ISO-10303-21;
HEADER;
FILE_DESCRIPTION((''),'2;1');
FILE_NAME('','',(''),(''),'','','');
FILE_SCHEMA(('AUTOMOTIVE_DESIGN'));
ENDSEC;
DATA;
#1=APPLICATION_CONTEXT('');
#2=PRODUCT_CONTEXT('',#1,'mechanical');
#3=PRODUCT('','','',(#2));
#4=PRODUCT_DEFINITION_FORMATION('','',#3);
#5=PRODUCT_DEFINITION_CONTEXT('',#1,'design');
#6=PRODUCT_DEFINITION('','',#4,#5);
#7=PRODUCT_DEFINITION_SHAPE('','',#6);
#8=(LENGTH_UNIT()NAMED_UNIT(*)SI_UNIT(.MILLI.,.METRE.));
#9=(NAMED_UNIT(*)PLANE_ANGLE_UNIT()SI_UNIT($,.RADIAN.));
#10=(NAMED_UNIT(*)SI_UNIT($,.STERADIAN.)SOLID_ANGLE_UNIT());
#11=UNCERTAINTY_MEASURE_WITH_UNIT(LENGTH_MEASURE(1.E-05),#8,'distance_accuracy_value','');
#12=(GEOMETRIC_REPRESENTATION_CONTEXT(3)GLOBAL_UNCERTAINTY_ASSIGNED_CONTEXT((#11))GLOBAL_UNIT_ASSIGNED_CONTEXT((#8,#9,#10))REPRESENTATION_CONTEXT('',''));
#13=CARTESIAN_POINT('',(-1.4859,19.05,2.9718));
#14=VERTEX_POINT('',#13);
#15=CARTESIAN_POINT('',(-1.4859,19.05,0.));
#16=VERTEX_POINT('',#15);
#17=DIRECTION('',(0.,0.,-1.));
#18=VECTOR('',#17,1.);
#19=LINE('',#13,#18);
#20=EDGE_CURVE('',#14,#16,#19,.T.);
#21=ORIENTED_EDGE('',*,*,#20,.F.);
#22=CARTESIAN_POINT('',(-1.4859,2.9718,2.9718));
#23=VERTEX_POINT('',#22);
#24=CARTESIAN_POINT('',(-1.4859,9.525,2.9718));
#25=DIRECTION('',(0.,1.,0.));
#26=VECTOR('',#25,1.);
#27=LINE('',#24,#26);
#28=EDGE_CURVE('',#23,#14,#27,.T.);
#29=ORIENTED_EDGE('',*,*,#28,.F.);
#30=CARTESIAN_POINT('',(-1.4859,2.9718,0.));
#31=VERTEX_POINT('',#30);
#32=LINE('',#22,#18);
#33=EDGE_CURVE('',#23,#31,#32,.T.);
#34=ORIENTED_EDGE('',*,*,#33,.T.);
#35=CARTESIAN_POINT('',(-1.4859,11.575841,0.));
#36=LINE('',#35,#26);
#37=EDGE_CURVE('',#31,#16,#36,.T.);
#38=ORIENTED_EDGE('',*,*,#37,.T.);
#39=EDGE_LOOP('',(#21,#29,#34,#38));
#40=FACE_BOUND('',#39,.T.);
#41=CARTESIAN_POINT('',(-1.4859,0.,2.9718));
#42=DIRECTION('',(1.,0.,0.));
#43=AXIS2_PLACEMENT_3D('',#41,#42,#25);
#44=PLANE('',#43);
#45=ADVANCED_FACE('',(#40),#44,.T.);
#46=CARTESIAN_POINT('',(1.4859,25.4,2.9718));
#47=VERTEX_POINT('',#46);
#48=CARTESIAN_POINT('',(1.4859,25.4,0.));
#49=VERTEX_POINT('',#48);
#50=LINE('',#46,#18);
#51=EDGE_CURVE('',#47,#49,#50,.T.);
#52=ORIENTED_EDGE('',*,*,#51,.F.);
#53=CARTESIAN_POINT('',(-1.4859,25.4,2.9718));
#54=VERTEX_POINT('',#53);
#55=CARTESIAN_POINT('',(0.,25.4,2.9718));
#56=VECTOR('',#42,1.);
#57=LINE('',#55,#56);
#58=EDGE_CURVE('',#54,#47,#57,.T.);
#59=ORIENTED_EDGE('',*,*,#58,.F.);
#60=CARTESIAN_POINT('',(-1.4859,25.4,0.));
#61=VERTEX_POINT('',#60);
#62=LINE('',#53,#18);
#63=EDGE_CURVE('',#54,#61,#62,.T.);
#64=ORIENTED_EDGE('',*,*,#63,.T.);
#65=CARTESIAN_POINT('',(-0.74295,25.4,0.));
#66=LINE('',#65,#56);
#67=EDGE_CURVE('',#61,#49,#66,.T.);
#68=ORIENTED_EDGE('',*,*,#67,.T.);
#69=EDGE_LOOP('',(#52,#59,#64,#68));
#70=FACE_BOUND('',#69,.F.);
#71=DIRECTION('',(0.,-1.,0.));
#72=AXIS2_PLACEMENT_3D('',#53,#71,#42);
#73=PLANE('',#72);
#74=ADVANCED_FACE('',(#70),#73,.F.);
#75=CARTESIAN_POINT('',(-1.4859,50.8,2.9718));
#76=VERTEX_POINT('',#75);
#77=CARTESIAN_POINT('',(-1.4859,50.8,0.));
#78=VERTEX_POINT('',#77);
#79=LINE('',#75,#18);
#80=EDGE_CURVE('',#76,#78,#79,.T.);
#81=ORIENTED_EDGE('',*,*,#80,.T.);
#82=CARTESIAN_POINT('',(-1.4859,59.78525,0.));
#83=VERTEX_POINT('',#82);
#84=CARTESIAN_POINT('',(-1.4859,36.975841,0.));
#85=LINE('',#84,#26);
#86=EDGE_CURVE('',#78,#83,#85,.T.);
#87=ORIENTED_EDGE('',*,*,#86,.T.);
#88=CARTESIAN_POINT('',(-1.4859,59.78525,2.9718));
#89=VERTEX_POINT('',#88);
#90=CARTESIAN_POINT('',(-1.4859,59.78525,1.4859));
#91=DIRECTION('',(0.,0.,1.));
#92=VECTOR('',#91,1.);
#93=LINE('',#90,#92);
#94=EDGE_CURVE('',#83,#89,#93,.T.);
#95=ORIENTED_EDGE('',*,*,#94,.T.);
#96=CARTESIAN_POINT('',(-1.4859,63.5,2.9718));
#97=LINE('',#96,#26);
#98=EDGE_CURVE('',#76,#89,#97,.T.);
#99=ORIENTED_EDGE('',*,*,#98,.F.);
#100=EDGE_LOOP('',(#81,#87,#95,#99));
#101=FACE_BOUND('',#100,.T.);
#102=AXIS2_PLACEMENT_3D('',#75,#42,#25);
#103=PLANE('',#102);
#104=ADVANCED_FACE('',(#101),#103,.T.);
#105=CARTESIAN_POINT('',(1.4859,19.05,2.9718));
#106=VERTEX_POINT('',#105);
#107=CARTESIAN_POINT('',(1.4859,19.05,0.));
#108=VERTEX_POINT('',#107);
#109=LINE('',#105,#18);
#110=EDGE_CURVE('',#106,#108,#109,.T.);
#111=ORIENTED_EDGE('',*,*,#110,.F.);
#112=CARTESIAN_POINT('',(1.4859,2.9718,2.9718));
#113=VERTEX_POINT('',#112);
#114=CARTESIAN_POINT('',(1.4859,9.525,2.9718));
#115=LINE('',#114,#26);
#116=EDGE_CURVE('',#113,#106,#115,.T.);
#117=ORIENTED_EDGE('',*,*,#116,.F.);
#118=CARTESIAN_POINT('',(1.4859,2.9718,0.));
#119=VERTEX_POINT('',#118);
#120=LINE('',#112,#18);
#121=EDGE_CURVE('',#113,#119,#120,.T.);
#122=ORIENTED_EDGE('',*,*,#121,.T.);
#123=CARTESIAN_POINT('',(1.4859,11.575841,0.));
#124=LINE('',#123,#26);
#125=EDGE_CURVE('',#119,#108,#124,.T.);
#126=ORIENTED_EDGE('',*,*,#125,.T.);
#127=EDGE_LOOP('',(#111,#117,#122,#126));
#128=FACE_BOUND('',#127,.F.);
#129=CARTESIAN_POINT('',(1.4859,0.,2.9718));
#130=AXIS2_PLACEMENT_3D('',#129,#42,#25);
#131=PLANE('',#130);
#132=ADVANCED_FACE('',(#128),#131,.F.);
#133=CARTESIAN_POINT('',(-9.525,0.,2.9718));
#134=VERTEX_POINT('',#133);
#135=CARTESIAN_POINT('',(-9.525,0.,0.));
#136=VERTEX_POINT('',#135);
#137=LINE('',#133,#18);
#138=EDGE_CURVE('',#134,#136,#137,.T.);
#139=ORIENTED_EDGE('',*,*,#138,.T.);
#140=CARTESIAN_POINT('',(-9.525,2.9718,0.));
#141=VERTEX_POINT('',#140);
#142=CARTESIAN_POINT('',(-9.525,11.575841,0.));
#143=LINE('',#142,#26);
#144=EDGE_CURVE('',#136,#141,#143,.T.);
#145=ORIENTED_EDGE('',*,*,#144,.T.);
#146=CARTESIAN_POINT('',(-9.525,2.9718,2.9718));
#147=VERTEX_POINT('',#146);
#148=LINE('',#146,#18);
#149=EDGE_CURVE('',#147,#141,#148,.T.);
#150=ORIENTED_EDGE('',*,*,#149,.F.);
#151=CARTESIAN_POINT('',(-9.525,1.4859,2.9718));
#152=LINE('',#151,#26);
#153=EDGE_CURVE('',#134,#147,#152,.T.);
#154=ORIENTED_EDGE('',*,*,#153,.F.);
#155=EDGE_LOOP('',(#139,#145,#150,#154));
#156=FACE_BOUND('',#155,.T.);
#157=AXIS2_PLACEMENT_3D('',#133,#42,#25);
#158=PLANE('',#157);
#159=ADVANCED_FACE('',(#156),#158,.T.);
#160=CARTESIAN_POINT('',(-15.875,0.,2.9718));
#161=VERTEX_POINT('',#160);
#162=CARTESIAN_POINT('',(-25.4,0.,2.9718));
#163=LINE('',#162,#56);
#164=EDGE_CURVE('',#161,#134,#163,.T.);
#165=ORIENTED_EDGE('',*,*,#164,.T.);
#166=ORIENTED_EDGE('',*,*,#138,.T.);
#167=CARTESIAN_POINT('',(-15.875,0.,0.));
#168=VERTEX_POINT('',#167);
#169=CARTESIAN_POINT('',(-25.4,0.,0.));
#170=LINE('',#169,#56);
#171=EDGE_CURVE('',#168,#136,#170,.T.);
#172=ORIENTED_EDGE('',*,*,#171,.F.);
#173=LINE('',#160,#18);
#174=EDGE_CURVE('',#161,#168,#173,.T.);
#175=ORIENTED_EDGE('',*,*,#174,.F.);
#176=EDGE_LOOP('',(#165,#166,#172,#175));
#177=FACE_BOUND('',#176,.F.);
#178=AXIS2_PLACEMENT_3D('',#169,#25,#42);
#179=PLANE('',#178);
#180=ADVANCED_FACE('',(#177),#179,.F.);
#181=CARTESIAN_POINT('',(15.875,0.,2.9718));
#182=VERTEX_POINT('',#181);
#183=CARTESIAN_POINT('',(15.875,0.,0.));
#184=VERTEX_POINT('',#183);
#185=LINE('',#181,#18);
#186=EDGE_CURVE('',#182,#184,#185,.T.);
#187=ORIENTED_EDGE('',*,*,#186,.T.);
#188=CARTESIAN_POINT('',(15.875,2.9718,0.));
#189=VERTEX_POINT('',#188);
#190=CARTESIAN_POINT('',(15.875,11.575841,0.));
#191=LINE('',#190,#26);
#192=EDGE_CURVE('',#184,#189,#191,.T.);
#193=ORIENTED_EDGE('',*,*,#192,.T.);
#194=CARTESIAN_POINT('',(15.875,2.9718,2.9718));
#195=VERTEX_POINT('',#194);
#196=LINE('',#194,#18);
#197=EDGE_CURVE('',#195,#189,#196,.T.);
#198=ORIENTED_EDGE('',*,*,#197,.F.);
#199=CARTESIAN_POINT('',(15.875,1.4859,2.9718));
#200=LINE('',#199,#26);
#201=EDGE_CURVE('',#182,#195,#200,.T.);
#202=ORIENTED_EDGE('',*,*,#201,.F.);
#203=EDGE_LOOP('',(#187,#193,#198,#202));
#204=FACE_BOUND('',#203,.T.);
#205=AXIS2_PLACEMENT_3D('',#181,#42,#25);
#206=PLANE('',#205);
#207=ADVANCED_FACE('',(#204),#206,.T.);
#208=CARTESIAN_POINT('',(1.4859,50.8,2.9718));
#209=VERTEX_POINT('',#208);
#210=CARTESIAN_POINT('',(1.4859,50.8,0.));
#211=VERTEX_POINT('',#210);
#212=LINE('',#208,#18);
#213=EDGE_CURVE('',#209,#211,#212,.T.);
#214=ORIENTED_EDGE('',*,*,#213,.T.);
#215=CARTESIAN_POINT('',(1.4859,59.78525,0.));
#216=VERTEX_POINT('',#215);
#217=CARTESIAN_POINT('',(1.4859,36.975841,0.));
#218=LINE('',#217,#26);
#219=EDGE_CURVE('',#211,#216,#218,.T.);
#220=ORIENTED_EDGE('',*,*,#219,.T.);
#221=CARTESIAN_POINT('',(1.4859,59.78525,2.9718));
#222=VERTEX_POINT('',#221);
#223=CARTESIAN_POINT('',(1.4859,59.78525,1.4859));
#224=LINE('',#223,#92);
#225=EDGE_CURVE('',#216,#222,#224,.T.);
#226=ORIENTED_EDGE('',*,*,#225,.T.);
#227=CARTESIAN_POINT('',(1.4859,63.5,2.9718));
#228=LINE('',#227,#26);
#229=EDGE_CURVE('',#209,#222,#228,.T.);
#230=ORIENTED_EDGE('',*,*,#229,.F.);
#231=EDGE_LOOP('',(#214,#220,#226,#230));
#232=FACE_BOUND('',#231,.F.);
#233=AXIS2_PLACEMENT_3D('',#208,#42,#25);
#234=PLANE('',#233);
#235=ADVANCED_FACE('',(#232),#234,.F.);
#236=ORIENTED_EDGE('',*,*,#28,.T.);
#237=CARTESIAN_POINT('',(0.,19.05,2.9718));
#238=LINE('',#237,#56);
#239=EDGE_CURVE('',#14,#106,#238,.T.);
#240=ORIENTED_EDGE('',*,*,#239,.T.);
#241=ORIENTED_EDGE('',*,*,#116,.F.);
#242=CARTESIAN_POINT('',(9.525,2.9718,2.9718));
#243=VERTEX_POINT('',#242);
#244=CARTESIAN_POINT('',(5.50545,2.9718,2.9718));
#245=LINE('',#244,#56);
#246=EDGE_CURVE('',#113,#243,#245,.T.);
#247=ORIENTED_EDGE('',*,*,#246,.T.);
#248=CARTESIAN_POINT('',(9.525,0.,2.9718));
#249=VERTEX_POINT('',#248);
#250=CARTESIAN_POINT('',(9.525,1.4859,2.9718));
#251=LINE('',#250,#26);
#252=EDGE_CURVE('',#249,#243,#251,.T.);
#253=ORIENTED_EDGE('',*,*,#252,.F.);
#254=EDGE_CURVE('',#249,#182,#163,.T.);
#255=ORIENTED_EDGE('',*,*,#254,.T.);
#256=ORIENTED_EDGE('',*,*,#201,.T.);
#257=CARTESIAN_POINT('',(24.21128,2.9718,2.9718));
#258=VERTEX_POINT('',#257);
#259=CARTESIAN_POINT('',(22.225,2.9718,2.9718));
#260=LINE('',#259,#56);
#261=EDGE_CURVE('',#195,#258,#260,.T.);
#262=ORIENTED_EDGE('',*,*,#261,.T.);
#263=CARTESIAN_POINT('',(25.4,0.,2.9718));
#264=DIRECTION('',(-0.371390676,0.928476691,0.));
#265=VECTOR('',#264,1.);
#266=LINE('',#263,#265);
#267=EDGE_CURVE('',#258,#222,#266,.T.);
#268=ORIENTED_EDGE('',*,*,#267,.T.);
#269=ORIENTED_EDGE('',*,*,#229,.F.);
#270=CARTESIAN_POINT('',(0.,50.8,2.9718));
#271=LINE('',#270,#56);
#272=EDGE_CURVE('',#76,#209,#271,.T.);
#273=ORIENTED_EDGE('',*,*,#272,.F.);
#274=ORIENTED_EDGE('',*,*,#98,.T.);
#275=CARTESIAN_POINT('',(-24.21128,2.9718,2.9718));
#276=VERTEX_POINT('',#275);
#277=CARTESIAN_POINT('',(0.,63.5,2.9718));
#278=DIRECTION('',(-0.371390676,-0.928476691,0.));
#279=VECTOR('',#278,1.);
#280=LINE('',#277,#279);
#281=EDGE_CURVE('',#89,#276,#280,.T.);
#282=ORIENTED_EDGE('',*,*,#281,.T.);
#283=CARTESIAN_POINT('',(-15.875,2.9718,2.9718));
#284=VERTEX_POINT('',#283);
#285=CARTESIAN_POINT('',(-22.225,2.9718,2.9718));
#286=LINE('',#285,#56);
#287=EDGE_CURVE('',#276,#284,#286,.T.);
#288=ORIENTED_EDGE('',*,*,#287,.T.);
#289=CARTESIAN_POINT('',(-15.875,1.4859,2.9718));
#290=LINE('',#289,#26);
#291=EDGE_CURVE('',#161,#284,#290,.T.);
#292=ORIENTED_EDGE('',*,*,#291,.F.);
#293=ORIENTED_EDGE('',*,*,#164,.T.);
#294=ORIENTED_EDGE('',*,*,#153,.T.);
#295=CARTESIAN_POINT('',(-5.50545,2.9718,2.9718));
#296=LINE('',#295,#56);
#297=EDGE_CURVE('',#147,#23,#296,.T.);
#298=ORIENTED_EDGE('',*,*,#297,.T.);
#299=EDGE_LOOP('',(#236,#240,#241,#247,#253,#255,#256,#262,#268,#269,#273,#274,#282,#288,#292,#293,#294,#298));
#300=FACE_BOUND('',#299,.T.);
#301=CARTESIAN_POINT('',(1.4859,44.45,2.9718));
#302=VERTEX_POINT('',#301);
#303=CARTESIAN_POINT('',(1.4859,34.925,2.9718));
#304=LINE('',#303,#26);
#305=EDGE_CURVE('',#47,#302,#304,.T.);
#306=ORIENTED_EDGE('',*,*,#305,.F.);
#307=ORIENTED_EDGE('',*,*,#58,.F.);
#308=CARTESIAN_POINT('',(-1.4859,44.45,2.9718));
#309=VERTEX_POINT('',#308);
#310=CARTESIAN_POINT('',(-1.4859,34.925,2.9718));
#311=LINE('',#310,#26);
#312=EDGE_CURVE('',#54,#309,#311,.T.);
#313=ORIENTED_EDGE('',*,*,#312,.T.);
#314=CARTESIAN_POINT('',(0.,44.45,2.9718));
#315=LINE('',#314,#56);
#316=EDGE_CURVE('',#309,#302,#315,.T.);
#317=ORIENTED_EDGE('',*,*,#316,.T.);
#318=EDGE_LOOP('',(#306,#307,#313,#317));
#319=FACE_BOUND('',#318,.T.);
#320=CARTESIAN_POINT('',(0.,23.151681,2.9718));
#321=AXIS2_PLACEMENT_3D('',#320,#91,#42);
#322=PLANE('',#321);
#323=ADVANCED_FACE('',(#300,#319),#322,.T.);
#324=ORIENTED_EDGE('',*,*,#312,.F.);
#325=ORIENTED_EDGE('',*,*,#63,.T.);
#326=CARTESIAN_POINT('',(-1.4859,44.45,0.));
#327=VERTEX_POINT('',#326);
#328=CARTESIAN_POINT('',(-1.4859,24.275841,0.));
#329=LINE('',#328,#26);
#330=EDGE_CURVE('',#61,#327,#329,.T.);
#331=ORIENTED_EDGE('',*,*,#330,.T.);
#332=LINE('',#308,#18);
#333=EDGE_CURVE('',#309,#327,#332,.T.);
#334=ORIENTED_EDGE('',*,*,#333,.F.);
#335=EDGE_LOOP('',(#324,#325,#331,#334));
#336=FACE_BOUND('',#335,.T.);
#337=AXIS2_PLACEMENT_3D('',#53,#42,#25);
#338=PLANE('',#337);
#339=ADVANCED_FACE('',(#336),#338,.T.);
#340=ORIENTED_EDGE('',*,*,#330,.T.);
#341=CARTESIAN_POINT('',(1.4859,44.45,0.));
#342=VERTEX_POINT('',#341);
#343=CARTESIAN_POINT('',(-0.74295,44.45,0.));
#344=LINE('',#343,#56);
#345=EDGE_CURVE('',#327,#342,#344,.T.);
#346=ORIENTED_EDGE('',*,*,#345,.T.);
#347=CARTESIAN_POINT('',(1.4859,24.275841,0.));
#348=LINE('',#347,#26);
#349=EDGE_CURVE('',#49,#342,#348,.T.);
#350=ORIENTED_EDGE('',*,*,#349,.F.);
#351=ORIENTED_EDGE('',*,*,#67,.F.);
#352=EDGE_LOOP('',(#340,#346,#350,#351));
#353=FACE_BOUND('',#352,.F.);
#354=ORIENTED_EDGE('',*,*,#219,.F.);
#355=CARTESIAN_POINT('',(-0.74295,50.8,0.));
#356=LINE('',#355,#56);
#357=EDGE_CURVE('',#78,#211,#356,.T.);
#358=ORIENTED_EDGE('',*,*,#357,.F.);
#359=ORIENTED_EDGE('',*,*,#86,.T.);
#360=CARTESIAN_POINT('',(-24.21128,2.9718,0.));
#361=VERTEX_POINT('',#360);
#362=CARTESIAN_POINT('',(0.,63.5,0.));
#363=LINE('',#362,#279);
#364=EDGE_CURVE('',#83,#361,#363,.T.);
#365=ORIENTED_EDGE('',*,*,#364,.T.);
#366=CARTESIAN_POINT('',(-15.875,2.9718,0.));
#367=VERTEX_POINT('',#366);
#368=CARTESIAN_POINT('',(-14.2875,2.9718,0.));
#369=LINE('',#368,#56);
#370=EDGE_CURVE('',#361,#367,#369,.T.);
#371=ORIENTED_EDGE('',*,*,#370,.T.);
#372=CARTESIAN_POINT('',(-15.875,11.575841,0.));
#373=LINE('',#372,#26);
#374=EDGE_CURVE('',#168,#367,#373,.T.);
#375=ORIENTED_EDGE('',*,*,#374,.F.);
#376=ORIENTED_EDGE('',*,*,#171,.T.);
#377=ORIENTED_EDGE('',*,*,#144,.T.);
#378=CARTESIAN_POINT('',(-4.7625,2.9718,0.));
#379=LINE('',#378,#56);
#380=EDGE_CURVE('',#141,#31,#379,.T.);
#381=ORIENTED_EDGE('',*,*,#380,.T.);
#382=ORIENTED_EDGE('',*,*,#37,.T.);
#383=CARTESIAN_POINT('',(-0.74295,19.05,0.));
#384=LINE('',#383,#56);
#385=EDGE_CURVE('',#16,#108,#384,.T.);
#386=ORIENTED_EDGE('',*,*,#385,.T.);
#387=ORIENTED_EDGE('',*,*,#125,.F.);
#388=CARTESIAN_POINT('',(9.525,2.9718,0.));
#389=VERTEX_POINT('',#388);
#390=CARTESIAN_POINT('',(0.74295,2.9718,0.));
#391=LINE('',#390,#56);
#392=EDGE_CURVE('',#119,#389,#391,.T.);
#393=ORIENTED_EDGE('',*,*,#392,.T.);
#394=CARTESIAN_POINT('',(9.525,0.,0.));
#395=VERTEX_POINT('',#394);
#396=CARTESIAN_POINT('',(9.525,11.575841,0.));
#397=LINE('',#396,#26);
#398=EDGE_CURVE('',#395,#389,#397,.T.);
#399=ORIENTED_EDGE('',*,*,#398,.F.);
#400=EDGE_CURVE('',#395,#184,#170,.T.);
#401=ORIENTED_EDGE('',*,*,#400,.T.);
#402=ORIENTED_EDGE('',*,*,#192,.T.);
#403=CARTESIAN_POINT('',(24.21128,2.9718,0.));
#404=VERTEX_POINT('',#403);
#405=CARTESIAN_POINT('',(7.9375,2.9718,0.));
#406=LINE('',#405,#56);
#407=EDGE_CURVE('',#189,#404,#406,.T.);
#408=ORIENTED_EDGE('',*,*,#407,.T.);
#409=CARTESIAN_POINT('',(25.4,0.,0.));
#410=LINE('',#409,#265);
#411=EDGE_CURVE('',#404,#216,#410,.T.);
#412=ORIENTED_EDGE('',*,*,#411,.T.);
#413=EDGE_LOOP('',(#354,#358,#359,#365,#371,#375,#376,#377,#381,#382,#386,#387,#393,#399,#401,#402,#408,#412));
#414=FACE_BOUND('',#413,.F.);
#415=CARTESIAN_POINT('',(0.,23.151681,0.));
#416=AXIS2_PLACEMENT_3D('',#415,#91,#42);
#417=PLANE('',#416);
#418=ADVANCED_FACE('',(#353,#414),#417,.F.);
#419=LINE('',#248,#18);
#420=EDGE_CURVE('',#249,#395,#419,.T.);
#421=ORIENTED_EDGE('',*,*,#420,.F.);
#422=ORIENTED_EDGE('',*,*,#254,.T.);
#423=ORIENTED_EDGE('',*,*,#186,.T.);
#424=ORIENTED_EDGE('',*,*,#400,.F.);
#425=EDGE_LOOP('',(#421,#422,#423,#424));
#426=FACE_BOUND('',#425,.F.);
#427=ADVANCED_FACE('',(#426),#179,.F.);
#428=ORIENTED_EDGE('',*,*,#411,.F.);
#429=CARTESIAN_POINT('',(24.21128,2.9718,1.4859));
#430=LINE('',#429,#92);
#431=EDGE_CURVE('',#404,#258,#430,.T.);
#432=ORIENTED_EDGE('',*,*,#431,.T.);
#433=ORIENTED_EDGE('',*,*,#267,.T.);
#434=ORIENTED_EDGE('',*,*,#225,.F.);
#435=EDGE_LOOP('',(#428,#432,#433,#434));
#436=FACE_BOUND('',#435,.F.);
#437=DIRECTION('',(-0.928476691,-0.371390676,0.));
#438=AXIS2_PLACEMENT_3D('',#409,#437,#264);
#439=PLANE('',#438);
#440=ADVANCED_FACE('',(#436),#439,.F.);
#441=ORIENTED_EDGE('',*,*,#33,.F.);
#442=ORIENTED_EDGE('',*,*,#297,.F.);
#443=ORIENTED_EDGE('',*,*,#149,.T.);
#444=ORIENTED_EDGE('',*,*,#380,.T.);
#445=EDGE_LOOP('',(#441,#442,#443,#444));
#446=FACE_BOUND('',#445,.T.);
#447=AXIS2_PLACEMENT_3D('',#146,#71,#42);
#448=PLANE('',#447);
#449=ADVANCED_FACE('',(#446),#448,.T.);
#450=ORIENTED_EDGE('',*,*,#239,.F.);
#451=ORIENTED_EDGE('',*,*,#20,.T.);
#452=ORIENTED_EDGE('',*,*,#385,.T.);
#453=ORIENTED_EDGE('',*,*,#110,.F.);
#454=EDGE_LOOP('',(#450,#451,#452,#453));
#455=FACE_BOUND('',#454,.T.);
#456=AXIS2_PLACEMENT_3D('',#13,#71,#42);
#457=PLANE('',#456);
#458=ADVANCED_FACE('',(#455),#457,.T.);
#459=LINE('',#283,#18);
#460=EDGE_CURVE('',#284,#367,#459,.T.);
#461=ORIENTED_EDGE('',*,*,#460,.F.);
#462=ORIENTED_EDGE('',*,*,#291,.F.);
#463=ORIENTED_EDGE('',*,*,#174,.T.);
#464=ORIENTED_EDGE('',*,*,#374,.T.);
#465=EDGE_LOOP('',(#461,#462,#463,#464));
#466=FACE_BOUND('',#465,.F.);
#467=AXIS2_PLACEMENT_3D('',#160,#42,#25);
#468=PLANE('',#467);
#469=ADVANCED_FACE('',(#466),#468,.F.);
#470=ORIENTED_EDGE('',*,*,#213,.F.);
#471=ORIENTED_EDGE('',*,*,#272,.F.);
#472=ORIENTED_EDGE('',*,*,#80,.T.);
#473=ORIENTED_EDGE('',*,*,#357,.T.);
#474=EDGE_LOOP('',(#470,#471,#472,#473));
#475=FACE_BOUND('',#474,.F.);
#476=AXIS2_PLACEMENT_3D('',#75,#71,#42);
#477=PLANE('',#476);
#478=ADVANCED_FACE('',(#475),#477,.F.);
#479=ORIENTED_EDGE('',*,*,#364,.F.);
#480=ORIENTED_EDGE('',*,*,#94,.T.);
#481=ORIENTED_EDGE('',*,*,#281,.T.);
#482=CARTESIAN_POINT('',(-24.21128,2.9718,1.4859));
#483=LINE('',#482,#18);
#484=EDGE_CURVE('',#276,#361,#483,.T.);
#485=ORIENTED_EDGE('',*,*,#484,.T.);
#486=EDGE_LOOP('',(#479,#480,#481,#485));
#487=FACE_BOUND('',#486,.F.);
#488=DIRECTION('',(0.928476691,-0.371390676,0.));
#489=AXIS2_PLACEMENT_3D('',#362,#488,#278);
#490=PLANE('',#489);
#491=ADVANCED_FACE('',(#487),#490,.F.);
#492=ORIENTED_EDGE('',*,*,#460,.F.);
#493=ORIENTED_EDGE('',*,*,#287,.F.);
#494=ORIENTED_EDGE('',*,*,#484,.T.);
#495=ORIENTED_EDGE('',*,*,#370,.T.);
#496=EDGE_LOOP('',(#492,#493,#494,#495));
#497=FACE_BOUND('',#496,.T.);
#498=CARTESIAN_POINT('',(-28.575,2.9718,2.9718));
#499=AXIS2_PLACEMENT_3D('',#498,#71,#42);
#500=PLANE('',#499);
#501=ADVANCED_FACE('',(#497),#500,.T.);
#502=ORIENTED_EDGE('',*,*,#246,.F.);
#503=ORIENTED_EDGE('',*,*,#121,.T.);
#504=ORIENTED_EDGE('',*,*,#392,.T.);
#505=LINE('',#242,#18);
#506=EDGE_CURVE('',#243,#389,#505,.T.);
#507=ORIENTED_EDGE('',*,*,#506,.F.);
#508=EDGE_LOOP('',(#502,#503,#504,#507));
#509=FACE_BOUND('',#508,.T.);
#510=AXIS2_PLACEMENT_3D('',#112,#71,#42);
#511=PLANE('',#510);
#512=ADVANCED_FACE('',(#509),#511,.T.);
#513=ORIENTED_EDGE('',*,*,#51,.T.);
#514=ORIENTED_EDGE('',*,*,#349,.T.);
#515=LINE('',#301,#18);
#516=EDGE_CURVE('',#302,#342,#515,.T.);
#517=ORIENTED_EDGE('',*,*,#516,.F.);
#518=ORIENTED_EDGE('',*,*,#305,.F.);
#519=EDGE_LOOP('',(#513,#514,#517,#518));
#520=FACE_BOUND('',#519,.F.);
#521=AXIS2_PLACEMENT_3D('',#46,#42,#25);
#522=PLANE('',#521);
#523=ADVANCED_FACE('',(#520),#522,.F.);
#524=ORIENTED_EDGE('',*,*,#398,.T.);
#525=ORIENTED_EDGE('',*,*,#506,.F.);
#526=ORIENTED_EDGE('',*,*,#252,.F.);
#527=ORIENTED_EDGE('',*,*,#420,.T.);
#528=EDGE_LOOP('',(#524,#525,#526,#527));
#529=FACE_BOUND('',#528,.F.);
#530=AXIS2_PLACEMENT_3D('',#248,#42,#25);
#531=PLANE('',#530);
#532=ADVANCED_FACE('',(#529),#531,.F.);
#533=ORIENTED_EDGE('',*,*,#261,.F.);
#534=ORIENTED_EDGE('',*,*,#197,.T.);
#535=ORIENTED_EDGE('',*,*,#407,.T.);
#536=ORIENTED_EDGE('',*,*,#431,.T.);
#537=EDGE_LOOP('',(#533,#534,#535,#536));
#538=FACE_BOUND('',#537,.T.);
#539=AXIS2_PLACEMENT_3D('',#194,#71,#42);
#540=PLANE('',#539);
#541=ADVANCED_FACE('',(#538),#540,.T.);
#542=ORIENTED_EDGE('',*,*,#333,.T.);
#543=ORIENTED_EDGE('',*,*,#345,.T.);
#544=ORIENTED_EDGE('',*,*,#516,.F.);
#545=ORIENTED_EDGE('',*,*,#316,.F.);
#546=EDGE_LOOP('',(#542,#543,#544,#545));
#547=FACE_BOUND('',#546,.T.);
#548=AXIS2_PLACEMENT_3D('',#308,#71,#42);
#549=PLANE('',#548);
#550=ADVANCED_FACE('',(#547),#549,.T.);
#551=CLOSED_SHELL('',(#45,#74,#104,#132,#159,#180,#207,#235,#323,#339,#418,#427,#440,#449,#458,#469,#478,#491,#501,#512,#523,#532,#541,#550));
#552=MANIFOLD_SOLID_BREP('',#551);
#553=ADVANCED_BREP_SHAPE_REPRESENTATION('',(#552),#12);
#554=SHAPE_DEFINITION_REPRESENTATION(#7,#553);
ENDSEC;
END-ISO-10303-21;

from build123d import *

# Parameters (mm, degrees)
F1_DEPTH = 2.9718
F2_W     = 2.9718
F2_H     = 19.05
F2_H_2   = 25.4
F3_DEPTH = 25.4
F4_W     = 8.0391
F4_H     = 2.9718
F4_W_2   = 12.7
F5_DEPTH = 25.4


with BuildPart() as f1:
    # F0 (on Top) → F1 (new body)
    with BuildSketch(Plane.XY):
        Polygon((25.4, 0), (0, 63.5), (-25.4, 0), align=None)
    extrude(amount=F1_DEPTH)

    # F2 (on face) → F3 (cut)
    with BuildSketch(Plane.XY.offset(2.9718)):
        with Locations((0, 9.525)):
            Rectangle(F2_W, F2_H)
        with Locations((0, 34.925)):
            Rectangle(F2_W, F2_H)
        with Locations((0, 63.5)):
            Rectangle(F2_W, F2_H_2)
    extrude(amount=-F3_DEPTH, mode=Mode.SUBTRACT)

    # F4 (on face) → F5 (cut)
    with BuildSketch(Plane.XY.offset(2.9718)):
        with Locations((-5.50545, 1.4859)):
            Rectangle(F4_W, F4_H)
        with Locations((-22.225, 1.4859)):
            Rectangle(F4_W_2, F4_H)
        with Locations((5.50545, 1.4859)):
            Rectangle(F4_W, F4_H)
        with Locations((22.225, 1.4859)):
            Rectangle(F4_W_2, F4_H)
    extrude(amount=-F5_DEPTH, mode=Mode.SUBTRACT)


solid = f1.part
